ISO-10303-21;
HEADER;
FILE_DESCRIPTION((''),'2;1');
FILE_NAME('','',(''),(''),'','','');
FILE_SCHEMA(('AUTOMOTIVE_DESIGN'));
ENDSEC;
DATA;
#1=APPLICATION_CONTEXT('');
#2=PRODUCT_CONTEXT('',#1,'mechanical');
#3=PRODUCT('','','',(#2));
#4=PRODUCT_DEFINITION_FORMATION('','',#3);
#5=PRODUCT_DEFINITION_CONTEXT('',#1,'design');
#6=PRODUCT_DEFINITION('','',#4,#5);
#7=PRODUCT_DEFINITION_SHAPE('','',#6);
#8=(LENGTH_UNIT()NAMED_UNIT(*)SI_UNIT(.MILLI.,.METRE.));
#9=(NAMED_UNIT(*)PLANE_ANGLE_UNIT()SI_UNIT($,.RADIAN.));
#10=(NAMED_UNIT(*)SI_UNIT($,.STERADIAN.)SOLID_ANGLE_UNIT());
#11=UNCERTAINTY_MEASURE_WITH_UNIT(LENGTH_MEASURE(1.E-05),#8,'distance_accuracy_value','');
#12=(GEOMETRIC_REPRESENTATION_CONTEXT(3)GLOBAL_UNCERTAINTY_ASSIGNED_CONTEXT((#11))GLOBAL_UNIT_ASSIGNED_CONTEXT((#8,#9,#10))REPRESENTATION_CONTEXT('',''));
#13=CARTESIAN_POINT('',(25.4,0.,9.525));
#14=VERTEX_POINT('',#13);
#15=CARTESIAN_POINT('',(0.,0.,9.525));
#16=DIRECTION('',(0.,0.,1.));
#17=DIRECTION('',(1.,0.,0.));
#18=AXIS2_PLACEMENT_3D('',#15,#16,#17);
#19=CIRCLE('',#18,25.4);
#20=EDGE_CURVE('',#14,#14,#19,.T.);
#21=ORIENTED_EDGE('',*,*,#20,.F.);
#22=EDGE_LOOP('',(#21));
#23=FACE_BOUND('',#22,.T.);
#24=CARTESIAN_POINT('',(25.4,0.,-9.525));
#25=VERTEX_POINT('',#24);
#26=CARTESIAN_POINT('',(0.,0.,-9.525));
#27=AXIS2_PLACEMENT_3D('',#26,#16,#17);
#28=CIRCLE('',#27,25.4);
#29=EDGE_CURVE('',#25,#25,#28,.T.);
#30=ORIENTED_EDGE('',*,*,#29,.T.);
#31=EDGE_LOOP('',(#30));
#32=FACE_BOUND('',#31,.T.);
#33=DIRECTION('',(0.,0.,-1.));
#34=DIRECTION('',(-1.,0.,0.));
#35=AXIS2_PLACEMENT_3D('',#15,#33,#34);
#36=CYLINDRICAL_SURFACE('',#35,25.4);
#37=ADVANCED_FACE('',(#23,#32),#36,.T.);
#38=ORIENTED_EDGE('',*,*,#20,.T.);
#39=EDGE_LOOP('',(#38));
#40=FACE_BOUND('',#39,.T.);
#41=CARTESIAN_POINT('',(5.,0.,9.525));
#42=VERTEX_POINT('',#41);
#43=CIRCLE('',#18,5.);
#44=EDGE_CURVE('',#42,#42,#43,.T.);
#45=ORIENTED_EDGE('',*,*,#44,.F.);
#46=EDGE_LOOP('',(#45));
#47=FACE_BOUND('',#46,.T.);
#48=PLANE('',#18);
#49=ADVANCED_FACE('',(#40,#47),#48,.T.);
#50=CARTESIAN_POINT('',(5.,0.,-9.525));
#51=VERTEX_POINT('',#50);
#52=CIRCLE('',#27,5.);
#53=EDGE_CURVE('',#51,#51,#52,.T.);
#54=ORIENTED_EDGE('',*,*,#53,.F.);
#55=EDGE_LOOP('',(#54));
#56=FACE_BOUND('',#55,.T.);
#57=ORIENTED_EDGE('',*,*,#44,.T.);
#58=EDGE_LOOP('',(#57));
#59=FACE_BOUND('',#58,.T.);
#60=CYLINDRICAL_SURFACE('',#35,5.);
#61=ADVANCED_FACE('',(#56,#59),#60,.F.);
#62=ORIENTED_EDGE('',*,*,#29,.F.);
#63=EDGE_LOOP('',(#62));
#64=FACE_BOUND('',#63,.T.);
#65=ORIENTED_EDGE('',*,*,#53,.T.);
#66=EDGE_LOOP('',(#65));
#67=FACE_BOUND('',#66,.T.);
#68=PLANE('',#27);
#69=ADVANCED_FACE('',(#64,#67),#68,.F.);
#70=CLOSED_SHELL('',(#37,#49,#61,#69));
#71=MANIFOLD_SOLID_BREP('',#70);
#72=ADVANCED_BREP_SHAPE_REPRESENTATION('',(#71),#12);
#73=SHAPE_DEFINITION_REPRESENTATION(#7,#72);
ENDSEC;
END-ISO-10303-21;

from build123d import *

# Parameters (mm, degrees)
SKETCH1_R           = 25.4
SKETCH1_R_2         = 5
BOSS_EXTRUDE1_DEPTH = 9.525


with BuildPart() as part:
    # Sketch1 → Boss-Extrude1 (new body, symmetric)
    with BuildSketch(Plane.XY):
        Circle(SKETCH1_R)
        Circle(SKETCH1_R_2, mode=Mode.SUBTRACT)
    extrude(amount=BOSS_EXTRUDE1_DEPTH, both=True)


solid = part.part
